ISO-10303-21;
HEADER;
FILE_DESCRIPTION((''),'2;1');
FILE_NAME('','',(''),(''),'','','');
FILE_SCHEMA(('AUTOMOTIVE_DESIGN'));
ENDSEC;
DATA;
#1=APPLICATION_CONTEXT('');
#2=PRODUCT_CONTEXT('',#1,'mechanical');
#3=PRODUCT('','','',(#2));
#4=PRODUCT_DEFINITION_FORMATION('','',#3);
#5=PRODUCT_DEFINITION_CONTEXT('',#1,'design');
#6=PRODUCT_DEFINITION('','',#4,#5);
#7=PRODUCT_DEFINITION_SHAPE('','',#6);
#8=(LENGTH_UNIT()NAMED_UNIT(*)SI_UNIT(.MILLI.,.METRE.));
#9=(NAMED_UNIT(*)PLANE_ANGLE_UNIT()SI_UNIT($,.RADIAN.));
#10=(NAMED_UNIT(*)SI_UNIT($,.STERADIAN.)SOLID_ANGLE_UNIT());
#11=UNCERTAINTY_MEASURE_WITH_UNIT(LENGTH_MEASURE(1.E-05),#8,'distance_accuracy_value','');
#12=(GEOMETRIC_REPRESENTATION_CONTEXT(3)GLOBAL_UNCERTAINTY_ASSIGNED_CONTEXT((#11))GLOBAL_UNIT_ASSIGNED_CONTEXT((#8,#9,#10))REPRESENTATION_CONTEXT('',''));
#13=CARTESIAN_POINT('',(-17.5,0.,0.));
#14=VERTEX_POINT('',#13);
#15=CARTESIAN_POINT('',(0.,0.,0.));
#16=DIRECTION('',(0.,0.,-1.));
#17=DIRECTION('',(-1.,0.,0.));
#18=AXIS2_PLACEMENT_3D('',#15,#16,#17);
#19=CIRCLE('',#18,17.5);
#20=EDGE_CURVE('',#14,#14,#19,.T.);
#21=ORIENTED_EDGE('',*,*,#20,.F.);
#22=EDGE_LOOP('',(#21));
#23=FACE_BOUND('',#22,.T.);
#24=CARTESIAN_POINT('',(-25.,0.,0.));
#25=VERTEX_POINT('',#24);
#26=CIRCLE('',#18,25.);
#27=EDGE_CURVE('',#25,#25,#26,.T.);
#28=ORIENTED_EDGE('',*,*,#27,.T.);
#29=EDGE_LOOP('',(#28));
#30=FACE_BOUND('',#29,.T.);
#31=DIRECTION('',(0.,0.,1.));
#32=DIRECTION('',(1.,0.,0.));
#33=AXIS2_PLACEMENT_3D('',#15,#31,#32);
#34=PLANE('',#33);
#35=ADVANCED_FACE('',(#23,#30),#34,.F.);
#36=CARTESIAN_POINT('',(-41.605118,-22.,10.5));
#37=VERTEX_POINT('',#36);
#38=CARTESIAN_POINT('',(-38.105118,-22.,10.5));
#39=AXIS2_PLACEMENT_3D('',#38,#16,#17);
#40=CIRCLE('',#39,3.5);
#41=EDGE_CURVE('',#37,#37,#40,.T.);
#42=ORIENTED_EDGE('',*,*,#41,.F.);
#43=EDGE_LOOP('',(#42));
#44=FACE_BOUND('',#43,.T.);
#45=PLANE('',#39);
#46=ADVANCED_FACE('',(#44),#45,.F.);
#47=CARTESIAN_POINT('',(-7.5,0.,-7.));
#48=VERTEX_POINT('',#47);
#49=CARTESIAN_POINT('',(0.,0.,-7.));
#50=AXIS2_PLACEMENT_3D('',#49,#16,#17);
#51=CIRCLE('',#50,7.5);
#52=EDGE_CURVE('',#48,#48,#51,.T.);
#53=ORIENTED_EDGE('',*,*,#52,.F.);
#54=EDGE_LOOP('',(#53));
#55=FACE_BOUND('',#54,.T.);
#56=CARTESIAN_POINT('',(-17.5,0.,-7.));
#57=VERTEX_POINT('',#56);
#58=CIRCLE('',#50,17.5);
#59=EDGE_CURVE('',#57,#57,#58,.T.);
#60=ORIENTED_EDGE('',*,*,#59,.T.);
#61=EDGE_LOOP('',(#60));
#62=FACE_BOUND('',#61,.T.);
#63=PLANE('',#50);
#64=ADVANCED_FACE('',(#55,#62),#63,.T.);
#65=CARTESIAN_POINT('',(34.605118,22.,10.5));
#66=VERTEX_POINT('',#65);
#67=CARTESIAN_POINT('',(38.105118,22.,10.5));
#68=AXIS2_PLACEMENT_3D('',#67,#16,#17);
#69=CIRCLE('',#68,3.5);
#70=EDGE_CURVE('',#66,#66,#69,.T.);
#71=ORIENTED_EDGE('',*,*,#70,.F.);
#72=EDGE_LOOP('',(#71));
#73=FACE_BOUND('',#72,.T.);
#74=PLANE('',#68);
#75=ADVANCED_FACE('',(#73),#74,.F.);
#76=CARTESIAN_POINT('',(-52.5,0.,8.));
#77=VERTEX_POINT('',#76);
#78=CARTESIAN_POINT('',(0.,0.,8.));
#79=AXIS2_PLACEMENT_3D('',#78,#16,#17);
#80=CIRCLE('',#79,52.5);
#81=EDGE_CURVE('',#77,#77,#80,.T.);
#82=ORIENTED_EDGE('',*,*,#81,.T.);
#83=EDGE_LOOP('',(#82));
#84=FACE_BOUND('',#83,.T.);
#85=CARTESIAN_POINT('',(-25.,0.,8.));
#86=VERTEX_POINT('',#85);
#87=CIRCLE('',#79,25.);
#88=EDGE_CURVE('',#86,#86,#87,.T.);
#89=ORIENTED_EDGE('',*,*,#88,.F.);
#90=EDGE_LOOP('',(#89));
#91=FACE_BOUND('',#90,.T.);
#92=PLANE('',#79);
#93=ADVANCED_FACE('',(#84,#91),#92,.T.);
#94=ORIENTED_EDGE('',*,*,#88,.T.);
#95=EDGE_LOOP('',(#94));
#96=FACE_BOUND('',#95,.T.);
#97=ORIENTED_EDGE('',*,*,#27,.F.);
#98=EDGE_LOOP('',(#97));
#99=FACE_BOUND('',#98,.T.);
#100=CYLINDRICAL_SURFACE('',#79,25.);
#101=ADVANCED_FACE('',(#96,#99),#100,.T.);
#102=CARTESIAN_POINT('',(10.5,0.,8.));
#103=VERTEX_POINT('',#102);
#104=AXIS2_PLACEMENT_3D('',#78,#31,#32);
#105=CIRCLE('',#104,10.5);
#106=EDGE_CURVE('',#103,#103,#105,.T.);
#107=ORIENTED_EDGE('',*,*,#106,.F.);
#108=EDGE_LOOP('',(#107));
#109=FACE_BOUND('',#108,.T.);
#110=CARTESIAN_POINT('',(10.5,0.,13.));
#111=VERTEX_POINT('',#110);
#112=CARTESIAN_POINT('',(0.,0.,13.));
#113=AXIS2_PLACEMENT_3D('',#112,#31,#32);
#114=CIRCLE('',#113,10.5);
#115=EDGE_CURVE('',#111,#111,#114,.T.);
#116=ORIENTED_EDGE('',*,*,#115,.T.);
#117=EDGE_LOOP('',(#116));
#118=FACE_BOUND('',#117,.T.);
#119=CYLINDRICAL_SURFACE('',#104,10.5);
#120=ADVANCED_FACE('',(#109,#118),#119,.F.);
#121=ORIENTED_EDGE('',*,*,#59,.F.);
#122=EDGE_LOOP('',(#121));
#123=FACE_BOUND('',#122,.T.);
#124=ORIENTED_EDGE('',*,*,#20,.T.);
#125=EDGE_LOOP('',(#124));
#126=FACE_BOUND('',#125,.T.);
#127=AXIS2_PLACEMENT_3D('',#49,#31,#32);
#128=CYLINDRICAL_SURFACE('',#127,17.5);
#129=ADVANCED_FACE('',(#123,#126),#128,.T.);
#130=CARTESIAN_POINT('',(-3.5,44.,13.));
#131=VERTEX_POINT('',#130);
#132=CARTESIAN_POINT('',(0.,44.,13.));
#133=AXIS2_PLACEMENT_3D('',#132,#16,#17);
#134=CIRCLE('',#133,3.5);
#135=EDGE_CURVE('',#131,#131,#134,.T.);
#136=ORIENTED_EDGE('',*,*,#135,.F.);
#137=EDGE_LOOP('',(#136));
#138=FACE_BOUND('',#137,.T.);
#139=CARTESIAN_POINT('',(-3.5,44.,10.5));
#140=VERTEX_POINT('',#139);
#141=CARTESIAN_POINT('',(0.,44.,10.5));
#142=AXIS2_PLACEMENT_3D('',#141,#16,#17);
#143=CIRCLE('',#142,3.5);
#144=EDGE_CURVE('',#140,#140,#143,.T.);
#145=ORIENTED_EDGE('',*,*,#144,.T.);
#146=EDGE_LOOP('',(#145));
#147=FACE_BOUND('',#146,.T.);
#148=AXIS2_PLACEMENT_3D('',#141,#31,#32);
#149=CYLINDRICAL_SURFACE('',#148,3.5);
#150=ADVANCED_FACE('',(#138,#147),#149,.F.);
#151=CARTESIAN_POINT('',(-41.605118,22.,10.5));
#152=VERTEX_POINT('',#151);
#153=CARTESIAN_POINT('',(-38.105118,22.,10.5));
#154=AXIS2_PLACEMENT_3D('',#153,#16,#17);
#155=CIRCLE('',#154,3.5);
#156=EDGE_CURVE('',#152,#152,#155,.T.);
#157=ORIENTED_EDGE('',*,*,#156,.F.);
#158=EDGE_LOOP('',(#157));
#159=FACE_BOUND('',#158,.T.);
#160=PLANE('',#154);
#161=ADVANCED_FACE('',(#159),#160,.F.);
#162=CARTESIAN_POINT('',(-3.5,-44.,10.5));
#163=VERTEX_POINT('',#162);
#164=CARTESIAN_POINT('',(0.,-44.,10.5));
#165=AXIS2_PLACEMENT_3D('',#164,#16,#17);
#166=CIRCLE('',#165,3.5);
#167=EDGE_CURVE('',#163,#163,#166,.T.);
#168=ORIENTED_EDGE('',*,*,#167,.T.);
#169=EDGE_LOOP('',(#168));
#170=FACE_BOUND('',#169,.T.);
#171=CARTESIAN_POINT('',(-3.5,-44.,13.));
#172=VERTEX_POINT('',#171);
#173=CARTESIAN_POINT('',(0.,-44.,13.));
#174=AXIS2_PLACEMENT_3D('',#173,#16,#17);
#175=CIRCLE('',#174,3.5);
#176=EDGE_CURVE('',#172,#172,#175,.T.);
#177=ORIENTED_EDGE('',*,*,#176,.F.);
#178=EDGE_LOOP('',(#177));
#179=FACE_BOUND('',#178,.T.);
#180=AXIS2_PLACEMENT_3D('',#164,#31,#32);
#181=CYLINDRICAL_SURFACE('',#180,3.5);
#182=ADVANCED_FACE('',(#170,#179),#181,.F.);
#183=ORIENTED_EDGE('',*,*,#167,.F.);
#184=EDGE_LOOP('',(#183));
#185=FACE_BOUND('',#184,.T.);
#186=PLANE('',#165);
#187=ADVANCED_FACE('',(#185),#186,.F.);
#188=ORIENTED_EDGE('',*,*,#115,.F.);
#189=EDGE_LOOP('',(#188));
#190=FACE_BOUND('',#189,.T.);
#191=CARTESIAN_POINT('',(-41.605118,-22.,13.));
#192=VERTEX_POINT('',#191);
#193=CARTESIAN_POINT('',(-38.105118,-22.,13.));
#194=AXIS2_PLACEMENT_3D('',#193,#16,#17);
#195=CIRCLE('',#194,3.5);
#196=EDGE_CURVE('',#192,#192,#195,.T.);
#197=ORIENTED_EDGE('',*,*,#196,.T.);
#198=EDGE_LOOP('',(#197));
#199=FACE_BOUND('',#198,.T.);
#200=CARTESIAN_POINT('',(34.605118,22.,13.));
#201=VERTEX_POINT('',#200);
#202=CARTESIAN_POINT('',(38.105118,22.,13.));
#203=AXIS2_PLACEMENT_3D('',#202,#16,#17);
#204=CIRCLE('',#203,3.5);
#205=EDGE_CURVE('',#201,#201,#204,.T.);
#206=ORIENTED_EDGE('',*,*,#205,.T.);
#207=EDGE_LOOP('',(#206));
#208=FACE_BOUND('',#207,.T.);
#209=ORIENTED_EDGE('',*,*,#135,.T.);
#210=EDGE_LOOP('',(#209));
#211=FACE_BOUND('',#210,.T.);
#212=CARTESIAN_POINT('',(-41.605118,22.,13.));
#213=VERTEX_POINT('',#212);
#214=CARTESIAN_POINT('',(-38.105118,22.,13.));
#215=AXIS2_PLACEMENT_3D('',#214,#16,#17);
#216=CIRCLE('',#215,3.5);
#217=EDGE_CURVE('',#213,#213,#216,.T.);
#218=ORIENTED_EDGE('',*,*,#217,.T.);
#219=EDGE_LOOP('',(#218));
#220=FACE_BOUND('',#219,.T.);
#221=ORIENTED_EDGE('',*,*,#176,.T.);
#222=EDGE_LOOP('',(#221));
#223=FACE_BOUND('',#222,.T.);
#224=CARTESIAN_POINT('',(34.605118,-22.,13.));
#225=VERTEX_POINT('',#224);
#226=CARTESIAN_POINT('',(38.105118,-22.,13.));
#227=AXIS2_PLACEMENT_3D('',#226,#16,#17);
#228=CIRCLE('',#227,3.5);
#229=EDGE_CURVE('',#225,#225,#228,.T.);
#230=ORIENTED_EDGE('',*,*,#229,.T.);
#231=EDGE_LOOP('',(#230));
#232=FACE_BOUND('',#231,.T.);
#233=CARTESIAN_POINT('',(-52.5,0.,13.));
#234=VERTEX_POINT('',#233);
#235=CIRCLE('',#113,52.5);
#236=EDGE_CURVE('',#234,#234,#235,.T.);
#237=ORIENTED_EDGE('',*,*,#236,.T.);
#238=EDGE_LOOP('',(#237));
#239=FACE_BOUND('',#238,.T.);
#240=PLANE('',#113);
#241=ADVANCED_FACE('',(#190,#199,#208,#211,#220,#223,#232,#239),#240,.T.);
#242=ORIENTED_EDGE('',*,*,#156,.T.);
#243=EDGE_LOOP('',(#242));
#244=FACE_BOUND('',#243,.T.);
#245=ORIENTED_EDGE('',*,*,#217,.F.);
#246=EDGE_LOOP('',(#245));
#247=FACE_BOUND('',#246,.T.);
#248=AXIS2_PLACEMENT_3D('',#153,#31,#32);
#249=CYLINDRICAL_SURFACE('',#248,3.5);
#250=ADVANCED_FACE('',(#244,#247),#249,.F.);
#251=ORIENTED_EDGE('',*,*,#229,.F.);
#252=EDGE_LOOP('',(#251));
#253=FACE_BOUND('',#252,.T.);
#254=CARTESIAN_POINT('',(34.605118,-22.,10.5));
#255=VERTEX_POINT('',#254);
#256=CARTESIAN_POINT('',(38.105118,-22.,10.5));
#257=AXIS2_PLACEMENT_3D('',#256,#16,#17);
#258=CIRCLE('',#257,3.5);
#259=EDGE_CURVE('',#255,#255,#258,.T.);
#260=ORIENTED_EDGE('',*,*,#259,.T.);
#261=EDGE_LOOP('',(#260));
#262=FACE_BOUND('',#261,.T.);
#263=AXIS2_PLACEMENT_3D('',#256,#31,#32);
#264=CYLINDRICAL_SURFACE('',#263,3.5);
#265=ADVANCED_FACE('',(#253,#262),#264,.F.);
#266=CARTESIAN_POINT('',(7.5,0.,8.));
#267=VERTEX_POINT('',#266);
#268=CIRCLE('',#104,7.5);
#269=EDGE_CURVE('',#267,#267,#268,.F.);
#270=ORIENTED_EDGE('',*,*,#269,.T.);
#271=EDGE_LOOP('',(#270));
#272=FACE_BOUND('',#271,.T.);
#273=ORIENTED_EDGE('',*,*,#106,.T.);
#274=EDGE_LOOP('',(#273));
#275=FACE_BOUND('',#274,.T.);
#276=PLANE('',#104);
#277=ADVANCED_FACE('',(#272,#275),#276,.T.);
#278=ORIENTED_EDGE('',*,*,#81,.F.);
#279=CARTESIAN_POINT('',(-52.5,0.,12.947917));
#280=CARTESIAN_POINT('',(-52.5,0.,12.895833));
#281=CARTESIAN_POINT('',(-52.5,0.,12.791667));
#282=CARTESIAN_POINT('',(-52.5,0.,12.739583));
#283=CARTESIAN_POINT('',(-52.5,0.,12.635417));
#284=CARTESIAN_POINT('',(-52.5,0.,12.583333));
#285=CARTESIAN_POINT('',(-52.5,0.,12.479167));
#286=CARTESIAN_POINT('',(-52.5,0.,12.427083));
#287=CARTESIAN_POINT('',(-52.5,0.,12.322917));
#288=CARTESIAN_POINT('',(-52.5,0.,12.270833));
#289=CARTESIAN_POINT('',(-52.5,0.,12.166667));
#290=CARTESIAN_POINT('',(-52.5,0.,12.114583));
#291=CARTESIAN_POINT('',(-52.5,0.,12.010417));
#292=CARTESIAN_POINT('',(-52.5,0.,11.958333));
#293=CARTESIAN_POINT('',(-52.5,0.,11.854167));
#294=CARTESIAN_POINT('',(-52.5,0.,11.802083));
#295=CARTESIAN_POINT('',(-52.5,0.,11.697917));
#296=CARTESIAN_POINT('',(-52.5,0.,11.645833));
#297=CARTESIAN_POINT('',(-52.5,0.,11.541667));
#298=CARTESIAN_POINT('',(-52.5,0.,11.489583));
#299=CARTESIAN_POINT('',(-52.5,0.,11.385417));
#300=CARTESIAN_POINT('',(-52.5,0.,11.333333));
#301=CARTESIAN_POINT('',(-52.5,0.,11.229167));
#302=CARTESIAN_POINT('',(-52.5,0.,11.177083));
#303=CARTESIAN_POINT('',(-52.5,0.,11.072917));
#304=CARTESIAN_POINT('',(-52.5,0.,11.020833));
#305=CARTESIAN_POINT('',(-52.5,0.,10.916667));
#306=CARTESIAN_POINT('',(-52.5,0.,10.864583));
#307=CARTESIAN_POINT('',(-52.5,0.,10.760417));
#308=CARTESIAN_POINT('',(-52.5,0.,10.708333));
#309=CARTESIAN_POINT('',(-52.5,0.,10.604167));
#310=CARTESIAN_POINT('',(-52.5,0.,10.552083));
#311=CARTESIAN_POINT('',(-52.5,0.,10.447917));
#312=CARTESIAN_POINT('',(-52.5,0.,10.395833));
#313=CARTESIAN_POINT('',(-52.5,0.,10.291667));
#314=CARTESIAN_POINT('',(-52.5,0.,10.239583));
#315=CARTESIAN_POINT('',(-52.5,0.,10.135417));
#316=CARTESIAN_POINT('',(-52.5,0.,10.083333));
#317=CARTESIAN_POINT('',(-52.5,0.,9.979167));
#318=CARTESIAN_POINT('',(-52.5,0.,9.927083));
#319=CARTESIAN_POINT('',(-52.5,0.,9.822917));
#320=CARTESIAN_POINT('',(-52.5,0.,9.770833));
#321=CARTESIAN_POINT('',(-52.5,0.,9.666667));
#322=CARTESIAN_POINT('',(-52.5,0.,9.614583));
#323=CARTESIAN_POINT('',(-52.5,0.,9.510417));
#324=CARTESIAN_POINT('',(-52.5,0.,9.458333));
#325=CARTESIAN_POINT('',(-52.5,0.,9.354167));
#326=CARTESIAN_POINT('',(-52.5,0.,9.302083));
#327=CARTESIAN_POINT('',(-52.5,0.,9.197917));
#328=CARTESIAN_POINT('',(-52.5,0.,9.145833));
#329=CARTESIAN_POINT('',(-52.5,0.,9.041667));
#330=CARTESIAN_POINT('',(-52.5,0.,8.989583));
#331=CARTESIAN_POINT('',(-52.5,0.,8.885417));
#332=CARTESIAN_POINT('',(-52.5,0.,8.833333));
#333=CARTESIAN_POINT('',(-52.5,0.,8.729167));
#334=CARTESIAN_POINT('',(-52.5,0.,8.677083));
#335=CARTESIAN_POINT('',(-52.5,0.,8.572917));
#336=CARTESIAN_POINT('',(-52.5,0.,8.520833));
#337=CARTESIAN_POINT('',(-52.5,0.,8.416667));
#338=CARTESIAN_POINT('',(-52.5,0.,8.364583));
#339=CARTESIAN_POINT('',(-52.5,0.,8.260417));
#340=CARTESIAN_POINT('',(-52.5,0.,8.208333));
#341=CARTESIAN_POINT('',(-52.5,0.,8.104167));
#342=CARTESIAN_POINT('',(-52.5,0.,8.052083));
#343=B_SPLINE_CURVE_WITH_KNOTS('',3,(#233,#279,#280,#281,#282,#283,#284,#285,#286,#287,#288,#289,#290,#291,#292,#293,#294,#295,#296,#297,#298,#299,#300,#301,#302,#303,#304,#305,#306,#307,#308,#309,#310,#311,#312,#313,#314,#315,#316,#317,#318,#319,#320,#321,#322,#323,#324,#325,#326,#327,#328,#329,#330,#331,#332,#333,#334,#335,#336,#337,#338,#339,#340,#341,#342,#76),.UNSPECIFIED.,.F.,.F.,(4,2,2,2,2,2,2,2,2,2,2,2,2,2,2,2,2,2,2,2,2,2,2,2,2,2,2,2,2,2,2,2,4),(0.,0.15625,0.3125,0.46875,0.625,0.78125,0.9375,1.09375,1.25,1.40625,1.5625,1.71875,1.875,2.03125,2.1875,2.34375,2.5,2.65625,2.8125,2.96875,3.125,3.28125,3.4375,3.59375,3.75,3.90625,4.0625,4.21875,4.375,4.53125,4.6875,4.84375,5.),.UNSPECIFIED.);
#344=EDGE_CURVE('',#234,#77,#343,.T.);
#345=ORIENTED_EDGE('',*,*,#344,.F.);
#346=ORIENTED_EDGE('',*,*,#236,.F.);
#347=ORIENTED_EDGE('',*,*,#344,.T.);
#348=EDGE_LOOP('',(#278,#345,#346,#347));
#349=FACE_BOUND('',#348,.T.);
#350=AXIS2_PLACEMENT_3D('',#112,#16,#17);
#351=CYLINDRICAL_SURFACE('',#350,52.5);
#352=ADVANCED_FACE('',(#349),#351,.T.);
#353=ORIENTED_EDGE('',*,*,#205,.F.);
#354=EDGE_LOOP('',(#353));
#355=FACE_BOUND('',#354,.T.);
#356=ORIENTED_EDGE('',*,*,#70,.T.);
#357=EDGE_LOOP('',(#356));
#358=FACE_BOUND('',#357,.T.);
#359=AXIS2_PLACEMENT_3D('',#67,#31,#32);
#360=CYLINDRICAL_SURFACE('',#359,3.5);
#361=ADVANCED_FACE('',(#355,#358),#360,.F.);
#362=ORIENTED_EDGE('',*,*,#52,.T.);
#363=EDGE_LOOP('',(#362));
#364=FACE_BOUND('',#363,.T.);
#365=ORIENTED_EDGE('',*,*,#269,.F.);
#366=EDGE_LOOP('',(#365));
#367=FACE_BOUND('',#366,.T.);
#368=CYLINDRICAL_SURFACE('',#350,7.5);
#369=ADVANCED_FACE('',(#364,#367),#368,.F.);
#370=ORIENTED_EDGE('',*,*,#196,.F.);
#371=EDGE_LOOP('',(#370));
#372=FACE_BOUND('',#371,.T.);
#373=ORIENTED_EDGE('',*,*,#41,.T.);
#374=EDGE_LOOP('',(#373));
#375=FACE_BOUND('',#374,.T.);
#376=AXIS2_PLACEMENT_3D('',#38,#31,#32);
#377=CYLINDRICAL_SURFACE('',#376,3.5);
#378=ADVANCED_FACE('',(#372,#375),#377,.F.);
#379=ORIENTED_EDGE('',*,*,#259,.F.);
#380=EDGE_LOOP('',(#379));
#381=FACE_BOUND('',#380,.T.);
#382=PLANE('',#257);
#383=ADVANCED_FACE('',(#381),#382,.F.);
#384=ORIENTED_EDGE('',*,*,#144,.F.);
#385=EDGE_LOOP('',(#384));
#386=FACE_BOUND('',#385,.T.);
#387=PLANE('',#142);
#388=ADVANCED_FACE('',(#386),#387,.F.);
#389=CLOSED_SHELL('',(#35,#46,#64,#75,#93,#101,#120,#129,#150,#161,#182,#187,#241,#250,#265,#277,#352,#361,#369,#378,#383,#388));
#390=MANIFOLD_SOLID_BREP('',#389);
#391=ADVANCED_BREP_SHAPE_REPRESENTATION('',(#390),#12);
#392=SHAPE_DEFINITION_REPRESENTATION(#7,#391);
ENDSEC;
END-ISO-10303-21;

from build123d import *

# Parameters (mm, degrees)
SKETCH1_R           = 52.5
BOSS_EXTRUDE1_DEPTH = 13
SKETCH2_R           = 17.5
BOSS_EXTRUDE2_DEPTH = 7
SKETCH3_R           = 52.5
SKETCH3_R_2         = 25
CUT_EXTRUDE1_DEPTH  = 8
SKETCH4_R           = 7.5
CUT_EXTRUDE2_DEPTH  = 77.892782496
SKETCH5_R           = 10.5
CUT_EXTRUDE3_DEPTH  = 5
SKETCH6_R           = 3.5
CUT_EXTRUDE4_DEPTH  = 2.5


with BuildPart() as part:
    # Sketch1 → Boss-Extrude1 (new body)
    with BuildSketch(Plane.XY):
        with Locations(Location((0, 0, 0), (0, 0, 180))):
            Circle(SKETCH1_R)
    extrude(amount=BOSS_EXTRUDE1_DEPTH)

    # Sketch2 → Boss-Extrude2 (add)
    with BuildSketch(Plane(origin=(0, 0, 0), x_dir=(-1, 0, 0), z_dir=(0, 0, -1))):
        Circle(SKETCH2_R)
    extrude(amount=BOSS_EXTRUDE2_DEPTH)

    # Sketch3 → Cut-Extrude1 (cut)
    with BuildSketch(Plane(origin=(0, 0, 0), x_dir=(-1, 0, 0), z_dir=(0, 0, -1))):
        Circle(SKETCH3_R)
        Circle(SKETCH3_R_2, mode=Mode.SUBTRACT)
    extrude(amount=-CUT_EXTRUDE1_DEPTH, mode=Mode.SUBTRACT)

    # Sketch4 → Cut-Extrude2 (cut, through all)
    with BuildSketch(Plane(origin=(0, 0, -7), x_dir=(-1, 0, 0), z_dir=(0, 0, -1))):
        Circle(SKETCH4_R)
    extrude(amount=-CUT_EXTRUDE2_DEPTH, mode=Mode.SUBTRACT)

    # Sketch5 → Cut-Extrude3 (cut)
    with BuildSketch(Plane.XY.offset(13)):
        Circle(SKETCH5_R)
    extrude(amount=-CUT_EXTRUDE3_DEPTH, mode=Mode.SUBTRACT)

    # Sketch6 → Cut-Extrude4 (cut)
    with BuildSketch(Plane(origin=(0, 0, 13), x_dir=(-1, 0, 0), z_dir=(0, 0, -1))):
        with Locations((0, 44)):
            Circle(SKETCH6_R)
        with Locations((38.105117767, 22)):
            Circle(SKETCH6_R)
        with Locations((38.105117767, -22)):
            Circle(SKETCH6_R)
        with Locations((0, -44)):
            Circle(SKETCH6_R)
        with Locations((-38.105117767, -22)):
            Circle(SKETCH6_R)
        with Locations((-38.105117767, 22)):
            Circle(SKETCH6_R)
    extrude(amount=CUT_EXTRUDE4_DEPTH, mode=Mode.SUBTRACT)


solid = part.part
